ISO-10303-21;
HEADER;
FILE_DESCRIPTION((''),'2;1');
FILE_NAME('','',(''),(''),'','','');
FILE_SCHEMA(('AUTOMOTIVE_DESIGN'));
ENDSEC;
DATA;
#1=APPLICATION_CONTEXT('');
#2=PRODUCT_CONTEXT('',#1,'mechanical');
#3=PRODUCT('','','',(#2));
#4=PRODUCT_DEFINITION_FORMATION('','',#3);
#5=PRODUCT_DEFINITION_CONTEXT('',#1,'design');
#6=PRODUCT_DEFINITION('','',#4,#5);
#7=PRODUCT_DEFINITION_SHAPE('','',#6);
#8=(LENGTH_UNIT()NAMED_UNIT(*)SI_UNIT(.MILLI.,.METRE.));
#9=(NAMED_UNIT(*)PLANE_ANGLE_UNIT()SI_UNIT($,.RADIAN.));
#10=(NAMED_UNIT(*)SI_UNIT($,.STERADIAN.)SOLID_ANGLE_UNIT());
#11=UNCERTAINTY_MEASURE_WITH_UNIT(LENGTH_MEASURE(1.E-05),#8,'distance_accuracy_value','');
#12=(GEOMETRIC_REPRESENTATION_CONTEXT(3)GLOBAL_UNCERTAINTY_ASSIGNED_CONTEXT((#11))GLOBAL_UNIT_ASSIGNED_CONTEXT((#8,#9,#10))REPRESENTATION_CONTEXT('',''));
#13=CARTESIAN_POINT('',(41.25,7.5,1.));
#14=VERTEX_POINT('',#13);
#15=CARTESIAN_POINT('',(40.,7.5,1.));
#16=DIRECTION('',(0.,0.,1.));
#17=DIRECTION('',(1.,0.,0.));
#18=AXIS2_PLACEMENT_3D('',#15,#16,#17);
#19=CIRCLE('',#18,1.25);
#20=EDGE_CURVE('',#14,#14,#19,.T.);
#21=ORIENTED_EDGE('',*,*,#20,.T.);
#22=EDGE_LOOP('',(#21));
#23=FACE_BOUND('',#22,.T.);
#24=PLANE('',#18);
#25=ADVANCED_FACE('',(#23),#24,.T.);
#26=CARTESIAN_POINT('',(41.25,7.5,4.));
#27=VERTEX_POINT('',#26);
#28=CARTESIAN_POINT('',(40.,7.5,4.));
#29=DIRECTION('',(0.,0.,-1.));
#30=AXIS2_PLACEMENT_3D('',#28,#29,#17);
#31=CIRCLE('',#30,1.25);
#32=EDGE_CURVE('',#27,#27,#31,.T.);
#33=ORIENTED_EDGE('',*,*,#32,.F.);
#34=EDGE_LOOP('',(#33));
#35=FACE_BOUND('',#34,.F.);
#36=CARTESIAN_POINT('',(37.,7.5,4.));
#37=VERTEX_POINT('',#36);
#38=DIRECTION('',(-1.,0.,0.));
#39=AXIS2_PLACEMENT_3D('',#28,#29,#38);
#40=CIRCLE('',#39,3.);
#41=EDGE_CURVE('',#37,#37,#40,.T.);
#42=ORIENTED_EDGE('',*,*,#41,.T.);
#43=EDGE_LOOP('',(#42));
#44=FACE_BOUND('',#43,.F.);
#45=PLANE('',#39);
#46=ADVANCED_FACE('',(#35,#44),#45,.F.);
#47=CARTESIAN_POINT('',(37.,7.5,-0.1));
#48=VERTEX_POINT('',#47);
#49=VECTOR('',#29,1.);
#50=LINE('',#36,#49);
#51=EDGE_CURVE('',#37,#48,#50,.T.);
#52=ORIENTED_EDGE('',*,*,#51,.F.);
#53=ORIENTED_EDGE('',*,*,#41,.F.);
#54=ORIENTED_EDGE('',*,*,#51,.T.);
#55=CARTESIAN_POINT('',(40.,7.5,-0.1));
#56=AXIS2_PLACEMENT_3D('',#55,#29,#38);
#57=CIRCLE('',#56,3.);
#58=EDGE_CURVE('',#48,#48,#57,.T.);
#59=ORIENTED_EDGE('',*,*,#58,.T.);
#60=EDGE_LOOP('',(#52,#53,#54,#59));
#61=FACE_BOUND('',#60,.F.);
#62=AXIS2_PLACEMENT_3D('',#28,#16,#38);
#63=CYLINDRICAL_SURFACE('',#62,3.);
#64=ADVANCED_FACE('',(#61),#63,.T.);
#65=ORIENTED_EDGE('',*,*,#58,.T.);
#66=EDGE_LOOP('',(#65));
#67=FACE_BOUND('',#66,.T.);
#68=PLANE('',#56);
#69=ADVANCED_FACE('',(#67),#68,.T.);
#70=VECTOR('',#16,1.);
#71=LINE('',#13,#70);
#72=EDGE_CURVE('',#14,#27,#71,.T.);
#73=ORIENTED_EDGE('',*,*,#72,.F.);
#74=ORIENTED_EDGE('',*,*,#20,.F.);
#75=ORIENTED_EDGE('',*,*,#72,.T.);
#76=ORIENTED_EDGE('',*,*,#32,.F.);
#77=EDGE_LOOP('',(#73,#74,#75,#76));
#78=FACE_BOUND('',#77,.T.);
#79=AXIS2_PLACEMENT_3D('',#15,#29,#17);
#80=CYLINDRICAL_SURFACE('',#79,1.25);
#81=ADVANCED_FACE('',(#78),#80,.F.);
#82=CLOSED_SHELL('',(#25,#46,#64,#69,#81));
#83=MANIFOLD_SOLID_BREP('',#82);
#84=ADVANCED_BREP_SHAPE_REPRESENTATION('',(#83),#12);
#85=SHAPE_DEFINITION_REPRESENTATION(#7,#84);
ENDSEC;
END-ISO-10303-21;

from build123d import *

# Parameters (mm, degrees)
CYLINDER084_R          = 1.25
CYLINDER084_DEPTH      = 5
CYLINDER085_R          = 3
CYLINDER085_DEPTH      = 4.1
CUT043_PLACEMENT_ANGLE = 90


with BuildPart() as b_w020:
    # Cylinder084 → Cylinder084 (new body)
    with BuildSketch(Plane(origin=(2, 6, 26), x_dir=(0, 0, 1), z_dir=(-1, 0, 0))):
        Circle(CYLINDER084_R)
    extrude(amount=CYLINDER084_DEPTH)


with BuildPart() as h_s:
    # Cylinder085 → Cylinder085 (new body)
    with BuildSketch(Plane(origin=(-1, 6, 26), x_dir=(0, 0, -1), z_dir=(1, 0, 0))):
        Circle(CYLINDER085_R)
    extrude(amount=CYLINDER085_DEPTH)

    # Cut043: cut B_W020
    add(b_w020.part, mode=Mode.SUBTRACT)


with BuildPart() as h_s_1:
    # Cut043 placement: moved
    add(h_s.part.moved(Location((14, 1.5, 3))).rotate(Axis((14, 1.5, 3), (0, 1, 0)), CUT043_PLACEMENT_ANGLE))


solid = h_s_1.part
